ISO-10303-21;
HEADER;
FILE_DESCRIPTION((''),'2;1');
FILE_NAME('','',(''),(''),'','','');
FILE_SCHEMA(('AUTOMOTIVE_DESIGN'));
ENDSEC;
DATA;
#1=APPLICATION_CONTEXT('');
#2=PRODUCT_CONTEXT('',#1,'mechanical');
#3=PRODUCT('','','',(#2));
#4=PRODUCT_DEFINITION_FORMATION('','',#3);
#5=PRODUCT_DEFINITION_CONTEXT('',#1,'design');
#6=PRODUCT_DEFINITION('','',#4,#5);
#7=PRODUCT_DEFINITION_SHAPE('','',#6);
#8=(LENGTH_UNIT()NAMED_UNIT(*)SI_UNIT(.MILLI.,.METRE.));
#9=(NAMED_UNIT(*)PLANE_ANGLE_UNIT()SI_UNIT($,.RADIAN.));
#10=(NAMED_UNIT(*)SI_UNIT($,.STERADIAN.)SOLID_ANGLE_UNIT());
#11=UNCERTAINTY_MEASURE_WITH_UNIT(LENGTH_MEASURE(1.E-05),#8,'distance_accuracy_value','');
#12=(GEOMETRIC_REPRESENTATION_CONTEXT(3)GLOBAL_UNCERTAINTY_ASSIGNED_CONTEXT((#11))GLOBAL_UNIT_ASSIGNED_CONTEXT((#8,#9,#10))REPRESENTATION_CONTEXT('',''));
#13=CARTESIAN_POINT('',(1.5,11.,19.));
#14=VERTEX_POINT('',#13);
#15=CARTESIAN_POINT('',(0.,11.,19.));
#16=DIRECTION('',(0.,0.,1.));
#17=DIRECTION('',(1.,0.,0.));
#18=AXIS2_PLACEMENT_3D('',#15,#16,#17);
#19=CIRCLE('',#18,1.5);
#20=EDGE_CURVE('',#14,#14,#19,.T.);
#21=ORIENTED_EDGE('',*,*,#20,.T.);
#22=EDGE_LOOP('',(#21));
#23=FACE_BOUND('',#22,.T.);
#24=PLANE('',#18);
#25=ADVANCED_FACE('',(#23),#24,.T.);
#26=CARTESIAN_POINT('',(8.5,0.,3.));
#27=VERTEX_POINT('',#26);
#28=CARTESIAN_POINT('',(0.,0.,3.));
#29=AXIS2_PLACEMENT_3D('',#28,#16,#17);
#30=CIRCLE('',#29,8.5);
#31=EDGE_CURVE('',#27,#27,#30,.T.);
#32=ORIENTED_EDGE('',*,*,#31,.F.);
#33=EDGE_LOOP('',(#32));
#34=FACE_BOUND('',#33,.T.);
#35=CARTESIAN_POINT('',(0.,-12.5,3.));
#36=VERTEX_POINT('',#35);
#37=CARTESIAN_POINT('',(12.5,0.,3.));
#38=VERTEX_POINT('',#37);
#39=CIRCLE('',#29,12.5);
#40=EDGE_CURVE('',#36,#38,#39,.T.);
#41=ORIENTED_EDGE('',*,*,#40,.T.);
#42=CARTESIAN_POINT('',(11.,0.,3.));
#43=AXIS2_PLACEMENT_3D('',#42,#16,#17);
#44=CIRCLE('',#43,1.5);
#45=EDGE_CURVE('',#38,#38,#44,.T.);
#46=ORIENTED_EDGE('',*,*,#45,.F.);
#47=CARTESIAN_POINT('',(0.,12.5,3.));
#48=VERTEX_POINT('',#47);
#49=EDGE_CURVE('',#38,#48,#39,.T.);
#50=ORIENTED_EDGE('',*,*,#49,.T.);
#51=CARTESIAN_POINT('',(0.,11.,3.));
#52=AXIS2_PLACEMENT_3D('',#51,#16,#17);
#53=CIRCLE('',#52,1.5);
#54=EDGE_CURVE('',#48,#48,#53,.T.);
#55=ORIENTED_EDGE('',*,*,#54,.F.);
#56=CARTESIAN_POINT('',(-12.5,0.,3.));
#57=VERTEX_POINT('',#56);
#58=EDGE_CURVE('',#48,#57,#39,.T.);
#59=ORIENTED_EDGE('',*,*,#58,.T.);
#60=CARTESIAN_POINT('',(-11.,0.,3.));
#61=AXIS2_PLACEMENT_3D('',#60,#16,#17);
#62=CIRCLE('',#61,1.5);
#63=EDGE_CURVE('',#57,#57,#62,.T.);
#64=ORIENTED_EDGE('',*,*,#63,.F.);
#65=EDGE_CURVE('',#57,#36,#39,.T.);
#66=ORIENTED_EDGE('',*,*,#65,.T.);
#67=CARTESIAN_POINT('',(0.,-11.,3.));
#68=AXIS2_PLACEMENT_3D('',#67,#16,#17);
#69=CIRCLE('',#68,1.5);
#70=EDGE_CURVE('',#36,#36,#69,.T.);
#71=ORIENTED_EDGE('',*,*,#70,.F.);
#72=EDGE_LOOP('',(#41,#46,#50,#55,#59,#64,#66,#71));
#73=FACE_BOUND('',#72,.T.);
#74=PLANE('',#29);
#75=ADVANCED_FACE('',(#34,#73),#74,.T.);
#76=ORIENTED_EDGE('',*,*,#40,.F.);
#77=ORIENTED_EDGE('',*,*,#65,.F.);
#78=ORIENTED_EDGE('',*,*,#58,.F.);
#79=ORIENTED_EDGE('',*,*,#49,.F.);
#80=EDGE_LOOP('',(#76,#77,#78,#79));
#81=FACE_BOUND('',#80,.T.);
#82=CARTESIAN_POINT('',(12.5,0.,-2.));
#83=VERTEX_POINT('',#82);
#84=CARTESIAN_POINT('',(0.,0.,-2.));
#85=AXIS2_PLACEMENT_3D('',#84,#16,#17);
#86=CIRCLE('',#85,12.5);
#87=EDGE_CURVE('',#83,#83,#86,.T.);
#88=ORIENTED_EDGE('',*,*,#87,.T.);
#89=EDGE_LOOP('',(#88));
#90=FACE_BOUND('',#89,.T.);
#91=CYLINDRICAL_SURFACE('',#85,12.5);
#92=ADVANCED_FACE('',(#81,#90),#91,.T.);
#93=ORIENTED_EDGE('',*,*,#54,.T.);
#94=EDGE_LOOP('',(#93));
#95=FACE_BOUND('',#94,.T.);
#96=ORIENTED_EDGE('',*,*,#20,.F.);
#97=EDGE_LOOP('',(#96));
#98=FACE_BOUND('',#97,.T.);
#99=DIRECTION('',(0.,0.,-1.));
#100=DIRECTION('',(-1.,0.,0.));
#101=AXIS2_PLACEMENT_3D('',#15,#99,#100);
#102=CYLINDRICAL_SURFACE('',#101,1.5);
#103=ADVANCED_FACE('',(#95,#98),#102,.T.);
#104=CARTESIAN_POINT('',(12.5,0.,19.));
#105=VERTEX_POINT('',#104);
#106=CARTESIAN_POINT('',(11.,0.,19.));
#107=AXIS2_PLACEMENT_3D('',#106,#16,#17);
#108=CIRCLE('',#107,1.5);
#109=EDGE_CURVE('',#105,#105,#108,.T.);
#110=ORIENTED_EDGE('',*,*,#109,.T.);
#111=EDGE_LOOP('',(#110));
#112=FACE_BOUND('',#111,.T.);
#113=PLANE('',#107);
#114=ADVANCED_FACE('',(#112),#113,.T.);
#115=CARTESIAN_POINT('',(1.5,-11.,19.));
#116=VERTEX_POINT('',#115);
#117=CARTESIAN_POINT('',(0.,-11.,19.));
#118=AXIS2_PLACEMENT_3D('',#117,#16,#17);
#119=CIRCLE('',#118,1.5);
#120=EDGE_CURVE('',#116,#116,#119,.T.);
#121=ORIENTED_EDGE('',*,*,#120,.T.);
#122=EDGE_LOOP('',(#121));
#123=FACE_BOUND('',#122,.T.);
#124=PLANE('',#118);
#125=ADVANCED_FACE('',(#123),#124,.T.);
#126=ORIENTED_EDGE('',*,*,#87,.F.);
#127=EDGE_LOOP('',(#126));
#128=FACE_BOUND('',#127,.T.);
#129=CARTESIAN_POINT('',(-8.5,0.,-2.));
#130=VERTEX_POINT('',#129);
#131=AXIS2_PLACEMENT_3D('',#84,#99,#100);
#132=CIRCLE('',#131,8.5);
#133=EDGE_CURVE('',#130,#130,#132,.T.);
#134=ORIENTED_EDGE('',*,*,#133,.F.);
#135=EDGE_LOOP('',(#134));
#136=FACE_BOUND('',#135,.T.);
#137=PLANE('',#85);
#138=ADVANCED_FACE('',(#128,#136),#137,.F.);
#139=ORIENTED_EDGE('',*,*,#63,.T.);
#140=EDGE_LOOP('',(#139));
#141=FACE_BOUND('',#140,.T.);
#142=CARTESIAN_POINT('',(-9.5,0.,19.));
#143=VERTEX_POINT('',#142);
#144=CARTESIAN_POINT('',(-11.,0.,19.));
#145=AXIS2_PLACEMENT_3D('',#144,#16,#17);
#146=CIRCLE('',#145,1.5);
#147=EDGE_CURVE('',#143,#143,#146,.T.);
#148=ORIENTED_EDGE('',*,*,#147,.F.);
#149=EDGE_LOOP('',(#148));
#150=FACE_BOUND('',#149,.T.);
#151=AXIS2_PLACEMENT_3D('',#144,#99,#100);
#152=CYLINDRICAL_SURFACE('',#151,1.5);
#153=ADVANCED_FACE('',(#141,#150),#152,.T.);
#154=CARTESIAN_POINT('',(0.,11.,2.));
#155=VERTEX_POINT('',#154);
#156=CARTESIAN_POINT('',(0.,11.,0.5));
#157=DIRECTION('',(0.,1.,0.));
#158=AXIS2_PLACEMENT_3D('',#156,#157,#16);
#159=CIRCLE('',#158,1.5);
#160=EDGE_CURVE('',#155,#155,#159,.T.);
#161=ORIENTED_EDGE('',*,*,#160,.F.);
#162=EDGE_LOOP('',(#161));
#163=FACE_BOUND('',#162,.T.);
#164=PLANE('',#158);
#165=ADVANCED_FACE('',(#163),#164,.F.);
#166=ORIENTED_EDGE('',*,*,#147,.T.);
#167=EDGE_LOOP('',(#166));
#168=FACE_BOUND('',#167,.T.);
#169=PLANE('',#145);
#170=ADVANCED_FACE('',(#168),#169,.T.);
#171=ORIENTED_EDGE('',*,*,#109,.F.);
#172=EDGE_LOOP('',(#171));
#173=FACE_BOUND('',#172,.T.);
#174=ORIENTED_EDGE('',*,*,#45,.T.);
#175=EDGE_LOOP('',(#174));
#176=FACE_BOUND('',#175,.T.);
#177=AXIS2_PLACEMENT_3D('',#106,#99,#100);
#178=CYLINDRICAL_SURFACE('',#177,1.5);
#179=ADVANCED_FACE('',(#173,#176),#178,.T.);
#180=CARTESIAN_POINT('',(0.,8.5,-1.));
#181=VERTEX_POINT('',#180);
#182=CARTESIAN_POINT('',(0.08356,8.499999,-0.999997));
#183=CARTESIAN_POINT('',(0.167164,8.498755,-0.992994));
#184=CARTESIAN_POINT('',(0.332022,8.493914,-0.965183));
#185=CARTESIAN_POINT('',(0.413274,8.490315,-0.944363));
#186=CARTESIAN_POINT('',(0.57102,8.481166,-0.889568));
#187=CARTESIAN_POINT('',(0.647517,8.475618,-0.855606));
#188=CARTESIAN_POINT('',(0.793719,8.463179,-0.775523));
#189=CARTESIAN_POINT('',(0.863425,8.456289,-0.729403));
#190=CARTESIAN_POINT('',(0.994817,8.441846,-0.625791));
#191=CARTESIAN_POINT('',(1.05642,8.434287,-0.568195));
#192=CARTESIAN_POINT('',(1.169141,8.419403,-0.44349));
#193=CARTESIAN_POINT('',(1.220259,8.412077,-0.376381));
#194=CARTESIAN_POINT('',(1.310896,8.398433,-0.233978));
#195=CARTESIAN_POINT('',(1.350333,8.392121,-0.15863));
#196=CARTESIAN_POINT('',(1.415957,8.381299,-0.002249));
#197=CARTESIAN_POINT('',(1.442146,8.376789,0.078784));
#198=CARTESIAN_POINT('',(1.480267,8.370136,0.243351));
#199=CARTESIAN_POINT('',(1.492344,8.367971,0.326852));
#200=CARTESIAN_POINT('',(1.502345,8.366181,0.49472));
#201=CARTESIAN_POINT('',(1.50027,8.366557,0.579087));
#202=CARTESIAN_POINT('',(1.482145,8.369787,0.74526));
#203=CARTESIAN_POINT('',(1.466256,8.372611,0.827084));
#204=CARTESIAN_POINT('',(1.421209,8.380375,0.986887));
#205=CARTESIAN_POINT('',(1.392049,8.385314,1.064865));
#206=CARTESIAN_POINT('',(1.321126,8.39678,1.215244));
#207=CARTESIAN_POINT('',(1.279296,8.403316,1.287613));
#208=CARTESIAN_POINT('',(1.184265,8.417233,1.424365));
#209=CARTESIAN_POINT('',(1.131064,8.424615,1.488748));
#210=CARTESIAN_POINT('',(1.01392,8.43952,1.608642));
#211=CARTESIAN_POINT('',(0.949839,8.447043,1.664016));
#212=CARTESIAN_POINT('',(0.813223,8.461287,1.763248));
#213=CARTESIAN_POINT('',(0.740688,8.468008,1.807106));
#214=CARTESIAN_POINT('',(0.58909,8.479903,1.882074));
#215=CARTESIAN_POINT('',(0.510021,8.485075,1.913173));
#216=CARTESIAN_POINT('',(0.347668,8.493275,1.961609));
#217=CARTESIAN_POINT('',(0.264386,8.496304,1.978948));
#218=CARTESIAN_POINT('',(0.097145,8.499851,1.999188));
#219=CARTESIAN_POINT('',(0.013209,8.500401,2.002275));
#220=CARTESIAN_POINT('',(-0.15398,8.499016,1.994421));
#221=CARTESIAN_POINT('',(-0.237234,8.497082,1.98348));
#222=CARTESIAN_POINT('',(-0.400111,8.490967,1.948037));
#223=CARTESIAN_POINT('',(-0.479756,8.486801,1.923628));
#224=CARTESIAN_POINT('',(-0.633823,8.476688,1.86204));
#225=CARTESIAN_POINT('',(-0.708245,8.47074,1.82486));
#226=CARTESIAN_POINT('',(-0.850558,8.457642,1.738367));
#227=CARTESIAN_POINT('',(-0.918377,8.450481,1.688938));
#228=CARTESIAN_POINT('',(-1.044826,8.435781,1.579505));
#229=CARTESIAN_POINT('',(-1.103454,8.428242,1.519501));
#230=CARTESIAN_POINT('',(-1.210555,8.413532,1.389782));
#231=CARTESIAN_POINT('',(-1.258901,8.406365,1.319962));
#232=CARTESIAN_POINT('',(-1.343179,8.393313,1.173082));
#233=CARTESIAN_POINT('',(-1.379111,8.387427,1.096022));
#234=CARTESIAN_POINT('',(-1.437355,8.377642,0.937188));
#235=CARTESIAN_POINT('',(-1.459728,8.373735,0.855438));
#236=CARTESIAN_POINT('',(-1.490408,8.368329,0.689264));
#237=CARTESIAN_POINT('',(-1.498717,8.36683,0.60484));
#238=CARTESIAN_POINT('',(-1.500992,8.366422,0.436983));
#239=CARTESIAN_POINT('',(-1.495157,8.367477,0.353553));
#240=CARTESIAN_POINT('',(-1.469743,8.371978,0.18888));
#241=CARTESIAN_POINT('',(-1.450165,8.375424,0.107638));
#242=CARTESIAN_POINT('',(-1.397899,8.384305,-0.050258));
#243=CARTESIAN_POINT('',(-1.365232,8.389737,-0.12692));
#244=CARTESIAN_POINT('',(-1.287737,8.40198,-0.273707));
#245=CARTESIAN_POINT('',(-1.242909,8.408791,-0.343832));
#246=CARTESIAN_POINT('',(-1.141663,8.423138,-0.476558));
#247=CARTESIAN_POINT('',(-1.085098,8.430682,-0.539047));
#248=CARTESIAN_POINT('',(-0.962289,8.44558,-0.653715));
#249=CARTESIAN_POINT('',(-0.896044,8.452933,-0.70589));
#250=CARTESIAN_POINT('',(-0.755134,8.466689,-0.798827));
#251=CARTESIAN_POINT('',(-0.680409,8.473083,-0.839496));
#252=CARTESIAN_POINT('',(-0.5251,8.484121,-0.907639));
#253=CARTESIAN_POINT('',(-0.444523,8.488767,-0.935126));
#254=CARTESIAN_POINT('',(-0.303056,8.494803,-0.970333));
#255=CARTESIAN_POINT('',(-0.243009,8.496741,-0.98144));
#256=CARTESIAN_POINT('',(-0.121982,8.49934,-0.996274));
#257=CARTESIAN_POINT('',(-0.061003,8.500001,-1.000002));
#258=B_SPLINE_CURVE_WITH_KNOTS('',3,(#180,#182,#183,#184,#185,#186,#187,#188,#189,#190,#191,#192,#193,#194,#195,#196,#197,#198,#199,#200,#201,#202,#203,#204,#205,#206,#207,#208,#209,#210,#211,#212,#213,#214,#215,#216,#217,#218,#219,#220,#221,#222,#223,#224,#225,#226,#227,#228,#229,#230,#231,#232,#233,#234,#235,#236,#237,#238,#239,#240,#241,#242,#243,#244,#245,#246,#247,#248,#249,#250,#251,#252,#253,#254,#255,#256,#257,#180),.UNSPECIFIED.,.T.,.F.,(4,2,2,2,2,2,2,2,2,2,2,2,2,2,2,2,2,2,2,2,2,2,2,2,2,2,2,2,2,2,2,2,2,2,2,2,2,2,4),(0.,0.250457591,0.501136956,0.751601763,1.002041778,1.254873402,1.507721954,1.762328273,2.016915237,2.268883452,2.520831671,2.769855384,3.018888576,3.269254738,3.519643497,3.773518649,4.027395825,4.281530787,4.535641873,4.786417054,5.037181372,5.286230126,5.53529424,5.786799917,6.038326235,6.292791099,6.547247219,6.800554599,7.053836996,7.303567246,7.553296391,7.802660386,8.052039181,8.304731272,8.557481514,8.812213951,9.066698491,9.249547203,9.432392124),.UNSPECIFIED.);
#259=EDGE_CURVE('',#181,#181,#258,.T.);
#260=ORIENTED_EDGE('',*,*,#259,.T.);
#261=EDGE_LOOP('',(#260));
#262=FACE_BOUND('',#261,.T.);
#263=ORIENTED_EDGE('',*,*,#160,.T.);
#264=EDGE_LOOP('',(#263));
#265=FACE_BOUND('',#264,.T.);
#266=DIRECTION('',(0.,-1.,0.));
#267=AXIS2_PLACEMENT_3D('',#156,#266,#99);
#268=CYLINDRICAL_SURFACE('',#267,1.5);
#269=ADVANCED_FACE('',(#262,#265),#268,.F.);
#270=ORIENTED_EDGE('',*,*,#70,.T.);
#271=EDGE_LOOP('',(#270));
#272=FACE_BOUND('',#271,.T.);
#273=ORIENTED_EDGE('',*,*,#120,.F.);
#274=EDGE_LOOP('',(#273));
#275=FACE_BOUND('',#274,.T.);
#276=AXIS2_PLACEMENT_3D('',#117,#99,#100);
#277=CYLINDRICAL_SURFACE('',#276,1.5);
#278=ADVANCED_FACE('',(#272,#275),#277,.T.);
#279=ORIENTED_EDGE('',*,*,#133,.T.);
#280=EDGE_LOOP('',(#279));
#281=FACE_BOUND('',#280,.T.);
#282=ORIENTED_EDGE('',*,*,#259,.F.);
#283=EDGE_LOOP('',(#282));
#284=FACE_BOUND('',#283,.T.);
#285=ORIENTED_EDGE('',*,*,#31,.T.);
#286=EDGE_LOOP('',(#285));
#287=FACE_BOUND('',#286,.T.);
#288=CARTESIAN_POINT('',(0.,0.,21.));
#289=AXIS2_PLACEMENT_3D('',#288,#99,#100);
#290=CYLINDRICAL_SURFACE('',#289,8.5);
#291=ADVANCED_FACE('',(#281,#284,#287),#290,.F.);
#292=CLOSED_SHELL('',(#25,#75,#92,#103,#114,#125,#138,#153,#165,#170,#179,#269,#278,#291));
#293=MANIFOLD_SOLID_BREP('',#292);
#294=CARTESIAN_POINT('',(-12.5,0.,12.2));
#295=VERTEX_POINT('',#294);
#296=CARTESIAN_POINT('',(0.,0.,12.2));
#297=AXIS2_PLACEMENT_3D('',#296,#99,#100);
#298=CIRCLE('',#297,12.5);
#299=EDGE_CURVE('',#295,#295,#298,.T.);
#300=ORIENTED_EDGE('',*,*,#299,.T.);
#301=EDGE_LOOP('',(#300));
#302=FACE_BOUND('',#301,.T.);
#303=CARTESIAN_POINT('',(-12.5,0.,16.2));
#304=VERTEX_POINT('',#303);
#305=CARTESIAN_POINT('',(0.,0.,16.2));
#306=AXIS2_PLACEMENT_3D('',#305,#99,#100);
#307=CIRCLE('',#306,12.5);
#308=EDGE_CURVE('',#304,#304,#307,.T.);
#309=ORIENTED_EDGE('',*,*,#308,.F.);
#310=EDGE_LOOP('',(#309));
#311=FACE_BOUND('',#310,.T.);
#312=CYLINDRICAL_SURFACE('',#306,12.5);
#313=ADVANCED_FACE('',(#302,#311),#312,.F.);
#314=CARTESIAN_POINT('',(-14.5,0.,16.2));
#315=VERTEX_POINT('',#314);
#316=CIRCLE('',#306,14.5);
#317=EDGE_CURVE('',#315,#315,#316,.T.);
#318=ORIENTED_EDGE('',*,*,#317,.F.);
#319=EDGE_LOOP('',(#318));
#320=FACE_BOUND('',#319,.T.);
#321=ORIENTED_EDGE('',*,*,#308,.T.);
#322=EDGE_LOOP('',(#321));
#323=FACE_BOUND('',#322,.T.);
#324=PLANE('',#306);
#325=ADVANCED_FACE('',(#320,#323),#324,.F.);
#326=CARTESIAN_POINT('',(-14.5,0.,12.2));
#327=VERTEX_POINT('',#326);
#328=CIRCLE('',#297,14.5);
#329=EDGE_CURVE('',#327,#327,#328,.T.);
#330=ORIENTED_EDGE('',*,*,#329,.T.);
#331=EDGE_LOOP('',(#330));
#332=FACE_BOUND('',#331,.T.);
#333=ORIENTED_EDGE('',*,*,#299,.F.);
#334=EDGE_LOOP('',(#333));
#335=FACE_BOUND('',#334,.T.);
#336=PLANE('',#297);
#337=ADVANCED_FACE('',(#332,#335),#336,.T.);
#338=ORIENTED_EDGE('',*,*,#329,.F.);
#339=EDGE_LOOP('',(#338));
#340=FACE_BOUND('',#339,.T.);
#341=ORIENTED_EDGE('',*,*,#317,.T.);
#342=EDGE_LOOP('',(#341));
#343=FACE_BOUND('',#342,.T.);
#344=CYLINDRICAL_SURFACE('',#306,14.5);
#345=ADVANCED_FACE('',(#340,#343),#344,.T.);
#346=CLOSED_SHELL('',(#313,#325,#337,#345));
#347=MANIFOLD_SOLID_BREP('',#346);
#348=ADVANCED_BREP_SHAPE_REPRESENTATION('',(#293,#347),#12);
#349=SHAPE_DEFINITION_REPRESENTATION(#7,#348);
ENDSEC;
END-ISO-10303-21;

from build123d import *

# Parameters (mm, degrees)
BOSS_EXTRUDE1_DEPTH      = 3
BOSS_EXTRUDE1_DEPTH_BACK = 2
SKETCH1_R                = 12.5
SKETCH2_R                = 8.5
CUT_EXTRUDE1_DEPTH       = 23
SKETCH3_R                = 1.5
BOSS_EXTRUDE2_DEPTH      = 16
SKETCH4_R                = 14.5
SKETCH4_R_2              = 12.5
BOSS_EXTRUDE4_DEPTH      = 4
SKETCH5_R                = 1.5
CUT_EXTRUDE2_DEPTH       = 11


with BuildPart() as part:
    # Sketch1 → Boss-Extrude1 (new, two sides: drawn at the far end of the back side and taken through both)
    with BuildSketch(Plane.XY.offset(-BOSS_EXTRUDE1_DEPTH_BACK)):
        Circle(SKETCH1_R)
    extrude(amount=BOSS_EXTRUDE1_DEPTH + BOSS_EXTRUDE1_DEPTH_BACK)

    # Sketch2 → Cut-Extrude1 (cut)
    with BuildSketch(Plane(origin=(0, 0, -2), x_dir=(-1, 0, 0), z_dir=(0, 0, -1))):
        Circle(SKETCH2_R)
    extrude(amount=-CUT_EXTRUDE1_DEPTH, mode=Mode.SUBTRACT)

    # Sketch3 → Boss-Extrude2 (add)
    with BuildSketch(Plane.XY.offset(3)):
        with Locations((0, 11)):
            Circle(SKETCH3_R)
        with Locations((11, 0)):
            Circle(SKETCH3_R)
        with Locations((0, -11)):
            Circle(SKETCH3_R)
        with Locations((-11, 0)):
            Circle(SKETCH3_R)
    extrude(amount=BOSS_EXTRUDE2_DEPTH)

    # Sketch5 → Cut-Extrude2 (cut)
    with BuildSketch(Plane(origin=(0, 0, 0), x_dir=(1, 0, 0), z_dir=(0, 1, 0))):
        with Locations((0, -0.5)):
            Circle(SKETCH5_R)
    extrude(amount=CUT_EXTRUDE2_DEPTH, mode=Mode.SUBTRACT)


with BuildPart() as body_2:
    # Sketch4 → Boss-Extrude4 (new body)
    with BuildSketch(Plane(origin=(0, 0, 12.2), x_dir=(-1, 0, 0), z_dir=(0, 0, -1))):
        Circle(SKETCH4_R)
        Circle(SKETCH4_R_2, mode=Mode.SUBTRACT)
    extrude(amount=-BOSS_EXTRUDE4_DEPTH)


solid = Compound([part.part, body_2.part])
